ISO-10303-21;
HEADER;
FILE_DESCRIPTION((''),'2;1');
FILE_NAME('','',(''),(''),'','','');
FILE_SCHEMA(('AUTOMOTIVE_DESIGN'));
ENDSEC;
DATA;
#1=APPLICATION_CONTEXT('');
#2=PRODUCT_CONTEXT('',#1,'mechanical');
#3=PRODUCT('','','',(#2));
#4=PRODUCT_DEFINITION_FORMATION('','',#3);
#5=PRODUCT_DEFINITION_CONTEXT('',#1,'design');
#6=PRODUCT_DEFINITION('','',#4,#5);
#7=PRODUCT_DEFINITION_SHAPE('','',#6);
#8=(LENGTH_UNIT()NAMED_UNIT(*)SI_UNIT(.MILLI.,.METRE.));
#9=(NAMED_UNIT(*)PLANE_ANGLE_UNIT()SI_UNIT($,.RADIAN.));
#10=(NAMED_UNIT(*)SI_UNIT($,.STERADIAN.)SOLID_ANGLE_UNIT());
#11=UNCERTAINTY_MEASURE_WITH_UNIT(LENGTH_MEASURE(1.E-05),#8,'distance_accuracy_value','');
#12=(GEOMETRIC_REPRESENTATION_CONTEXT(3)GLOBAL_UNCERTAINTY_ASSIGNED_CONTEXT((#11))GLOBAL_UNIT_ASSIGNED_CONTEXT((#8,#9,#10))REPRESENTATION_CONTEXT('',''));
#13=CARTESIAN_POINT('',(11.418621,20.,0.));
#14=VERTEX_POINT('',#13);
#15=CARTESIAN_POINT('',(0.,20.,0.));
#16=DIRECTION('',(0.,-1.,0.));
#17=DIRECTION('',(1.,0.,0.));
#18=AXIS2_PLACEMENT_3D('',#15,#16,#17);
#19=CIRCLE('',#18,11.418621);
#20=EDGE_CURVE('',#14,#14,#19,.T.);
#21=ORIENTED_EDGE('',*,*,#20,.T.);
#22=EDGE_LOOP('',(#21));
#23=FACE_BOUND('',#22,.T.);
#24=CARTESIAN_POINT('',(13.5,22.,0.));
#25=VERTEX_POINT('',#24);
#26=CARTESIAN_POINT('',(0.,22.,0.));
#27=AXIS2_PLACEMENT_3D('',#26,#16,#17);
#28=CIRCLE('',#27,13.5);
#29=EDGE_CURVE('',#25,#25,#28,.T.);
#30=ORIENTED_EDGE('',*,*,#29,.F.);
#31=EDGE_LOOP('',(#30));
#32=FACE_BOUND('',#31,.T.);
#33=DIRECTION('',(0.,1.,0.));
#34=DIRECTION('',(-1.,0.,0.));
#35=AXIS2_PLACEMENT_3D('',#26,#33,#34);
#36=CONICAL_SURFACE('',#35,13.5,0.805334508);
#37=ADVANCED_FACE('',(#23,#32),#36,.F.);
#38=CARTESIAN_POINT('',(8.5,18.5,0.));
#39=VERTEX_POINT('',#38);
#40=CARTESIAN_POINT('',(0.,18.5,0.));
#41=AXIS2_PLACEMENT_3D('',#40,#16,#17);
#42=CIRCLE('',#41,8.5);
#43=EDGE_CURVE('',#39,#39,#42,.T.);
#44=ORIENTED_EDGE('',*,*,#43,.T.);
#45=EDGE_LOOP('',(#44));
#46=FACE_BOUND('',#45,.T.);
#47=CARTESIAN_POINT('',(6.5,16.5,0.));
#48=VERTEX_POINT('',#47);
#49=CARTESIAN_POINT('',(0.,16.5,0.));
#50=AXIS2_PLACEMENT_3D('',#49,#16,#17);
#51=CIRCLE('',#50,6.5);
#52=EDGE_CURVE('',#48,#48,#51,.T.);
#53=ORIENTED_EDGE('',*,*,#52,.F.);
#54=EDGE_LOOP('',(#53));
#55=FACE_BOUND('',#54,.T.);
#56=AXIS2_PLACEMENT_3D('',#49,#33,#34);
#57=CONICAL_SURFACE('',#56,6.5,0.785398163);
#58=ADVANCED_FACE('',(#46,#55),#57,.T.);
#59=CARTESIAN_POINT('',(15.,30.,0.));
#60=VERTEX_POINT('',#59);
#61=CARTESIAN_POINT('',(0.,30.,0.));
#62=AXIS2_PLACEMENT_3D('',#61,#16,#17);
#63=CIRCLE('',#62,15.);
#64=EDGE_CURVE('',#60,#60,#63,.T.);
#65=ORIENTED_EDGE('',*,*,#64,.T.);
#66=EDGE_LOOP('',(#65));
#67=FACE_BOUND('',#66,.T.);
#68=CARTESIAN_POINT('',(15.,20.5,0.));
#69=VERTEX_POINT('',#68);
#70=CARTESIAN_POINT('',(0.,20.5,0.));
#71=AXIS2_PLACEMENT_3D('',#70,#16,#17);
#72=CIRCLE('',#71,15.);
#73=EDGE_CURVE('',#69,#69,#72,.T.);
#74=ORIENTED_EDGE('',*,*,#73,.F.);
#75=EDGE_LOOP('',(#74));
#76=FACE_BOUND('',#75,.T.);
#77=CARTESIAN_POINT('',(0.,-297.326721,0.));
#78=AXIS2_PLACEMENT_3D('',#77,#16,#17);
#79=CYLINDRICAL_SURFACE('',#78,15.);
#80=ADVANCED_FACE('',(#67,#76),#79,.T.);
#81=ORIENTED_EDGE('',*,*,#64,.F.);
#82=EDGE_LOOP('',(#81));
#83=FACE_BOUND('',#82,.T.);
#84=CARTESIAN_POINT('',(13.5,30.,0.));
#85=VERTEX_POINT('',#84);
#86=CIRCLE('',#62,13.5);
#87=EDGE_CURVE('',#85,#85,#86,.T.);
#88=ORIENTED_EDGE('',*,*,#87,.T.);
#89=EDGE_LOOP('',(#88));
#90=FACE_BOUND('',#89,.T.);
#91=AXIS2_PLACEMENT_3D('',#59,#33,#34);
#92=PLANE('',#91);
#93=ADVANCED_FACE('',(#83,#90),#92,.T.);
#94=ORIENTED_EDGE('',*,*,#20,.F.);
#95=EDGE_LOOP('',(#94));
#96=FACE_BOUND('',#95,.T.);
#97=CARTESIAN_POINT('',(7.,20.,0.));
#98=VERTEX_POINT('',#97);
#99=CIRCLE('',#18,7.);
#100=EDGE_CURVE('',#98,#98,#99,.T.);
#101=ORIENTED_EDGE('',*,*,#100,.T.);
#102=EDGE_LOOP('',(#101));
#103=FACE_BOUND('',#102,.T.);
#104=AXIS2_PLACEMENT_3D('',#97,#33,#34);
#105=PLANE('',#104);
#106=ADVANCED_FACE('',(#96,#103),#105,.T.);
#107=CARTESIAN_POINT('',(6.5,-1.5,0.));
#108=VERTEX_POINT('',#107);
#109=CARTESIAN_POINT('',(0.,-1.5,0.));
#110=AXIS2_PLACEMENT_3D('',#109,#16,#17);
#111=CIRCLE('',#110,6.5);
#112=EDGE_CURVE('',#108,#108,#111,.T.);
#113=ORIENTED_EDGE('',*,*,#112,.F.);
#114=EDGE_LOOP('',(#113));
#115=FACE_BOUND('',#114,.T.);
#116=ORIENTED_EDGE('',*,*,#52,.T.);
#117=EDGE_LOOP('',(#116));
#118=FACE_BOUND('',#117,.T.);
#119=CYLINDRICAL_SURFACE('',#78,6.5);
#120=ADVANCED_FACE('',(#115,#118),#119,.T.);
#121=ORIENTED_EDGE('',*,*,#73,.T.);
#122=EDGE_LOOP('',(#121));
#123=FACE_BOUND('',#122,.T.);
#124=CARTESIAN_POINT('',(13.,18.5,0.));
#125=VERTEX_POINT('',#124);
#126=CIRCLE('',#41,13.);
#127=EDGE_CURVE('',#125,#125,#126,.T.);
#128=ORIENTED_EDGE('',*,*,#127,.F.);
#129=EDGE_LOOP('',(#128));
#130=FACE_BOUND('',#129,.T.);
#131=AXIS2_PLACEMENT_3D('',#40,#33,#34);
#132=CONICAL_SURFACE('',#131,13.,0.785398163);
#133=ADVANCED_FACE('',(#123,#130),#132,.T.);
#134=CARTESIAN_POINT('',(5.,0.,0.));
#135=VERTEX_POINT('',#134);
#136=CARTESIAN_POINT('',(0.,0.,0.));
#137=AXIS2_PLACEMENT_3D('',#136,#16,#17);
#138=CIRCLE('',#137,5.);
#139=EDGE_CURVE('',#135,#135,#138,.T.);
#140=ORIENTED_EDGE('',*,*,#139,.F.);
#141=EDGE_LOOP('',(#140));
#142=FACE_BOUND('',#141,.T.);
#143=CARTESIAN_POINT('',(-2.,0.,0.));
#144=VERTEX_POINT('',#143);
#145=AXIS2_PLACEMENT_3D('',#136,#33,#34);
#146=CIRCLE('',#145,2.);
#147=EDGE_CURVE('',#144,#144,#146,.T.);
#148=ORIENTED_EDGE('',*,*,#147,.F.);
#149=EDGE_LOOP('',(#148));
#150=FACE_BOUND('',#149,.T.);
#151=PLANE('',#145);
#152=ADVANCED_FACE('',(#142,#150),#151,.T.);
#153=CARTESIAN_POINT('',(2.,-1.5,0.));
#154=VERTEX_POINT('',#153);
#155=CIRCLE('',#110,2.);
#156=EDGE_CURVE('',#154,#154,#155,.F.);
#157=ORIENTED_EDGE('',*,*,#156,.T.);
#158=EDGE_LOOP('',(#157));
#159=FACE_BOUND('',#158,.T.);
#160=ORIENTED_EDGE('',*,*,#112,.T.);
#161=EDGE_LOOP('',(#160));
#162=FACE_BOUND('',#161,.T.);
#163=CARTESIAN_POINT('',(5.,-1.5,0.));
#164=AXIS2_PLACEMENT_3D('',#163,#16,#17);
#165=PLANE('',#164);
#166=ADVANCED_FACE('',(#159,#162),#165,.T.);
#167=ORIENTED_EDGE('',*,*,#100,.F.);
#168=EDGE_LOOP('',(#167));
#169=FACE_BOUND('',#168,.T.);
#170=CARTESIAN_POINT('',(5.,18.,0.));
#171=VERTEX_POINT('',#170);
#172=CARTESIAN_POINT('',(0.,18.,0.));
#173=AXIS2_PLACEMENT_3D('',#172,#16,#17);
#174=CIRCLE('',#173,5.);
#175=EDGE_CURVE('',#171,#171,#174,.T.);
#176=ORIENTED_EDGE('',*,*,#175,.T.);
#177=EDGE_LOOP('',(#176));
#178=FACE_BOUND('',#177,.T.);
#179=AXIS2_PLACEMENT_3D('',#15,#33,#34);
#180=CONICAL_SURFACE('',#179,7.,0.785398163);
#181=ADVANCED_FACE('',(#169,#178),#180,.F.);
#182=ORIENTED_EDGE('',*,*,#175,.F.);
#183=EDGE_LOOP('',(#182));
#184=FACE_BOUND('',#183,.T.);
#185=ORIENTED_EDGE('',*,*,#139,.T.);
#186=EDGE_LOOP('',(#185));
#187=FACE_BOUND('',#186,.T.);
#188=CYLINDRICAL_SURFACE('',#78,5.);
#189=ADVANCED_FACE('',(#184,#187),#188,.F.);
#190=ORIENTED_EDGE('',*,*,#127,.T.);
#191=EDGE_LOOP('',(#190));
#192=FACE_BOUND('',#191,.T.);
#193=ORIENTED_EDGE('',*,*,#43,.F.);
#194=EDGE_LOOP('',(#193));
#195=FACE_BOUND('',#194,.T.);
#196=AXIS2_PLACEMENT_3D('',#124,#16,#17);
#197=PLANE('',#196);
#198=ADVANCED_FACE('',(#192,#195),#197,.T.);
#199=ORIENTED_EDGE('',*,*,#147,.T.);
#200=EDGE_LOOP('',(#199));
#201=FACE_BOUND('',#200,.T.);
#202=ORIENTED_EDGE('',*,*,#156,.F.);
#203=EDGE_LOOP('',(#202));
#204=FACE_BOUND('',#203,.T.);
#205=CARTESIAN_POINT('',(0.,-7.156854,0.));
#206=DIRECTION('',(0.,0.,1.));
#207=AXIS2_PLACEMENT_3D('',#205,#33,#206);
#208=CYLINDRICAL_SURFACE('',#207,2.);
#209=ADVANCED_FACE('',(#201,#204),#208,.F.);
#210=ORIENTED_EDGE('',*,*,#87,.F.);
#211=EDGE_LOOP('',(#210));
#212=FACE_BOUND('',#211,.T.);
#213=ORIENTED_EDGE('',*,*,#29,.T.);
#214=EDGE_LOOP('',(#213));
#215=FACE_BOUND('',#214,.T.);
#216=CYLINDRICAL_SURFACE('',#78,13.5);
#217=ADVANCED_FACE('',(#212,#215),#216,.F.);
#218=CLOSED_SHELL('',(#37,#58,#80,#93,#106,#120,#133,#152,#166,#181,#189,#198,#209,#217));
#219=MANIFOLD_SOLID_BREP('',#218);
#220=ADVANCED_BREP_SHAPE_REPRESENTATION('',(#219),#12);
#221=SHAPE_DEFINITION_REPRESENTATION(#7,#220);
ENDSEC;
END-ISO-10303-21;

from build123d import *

# Parameters (mm, degrees)
SKETCH_2_R          = 2
CUT_EXTRUDE_1_DEPTH = 1.5


with BuildPart() as part:
    # 草图1 → 旋转3 (revolve)
    with BuildSketch(Plane.XY):
        Polygon((0, 0), (5, 0), (5, 18), (7, 20), (11.418621451, 20), (13.5, 22), (13.5, 30), (15, 30), (15, 20.5), (13, 18.5), (8.5, 18.5), (6.5, 16.5), (6.5, -1.5), (5, -1.5), (0, -1.5), align=None)
    revolve(axis=Axis((0, -297.326720661, 0), (0, 1, 0)))

    # 草图2 → 切除-拉伸1 (cut)
    with BuildSketch(Plane(origin=(0, 0, 0), x_dir=(1, 0, 0), z_dir=(0, 1, 0))):
        with Locations(Location((0, 0, 0), (0, 0, 180))):
            Circle(SKETCH_2_R)
    extrude(amount=-CUT_EXTRUDE_1_DEPTH, mode=Mode.SUBTRACT)


solid = part.part
